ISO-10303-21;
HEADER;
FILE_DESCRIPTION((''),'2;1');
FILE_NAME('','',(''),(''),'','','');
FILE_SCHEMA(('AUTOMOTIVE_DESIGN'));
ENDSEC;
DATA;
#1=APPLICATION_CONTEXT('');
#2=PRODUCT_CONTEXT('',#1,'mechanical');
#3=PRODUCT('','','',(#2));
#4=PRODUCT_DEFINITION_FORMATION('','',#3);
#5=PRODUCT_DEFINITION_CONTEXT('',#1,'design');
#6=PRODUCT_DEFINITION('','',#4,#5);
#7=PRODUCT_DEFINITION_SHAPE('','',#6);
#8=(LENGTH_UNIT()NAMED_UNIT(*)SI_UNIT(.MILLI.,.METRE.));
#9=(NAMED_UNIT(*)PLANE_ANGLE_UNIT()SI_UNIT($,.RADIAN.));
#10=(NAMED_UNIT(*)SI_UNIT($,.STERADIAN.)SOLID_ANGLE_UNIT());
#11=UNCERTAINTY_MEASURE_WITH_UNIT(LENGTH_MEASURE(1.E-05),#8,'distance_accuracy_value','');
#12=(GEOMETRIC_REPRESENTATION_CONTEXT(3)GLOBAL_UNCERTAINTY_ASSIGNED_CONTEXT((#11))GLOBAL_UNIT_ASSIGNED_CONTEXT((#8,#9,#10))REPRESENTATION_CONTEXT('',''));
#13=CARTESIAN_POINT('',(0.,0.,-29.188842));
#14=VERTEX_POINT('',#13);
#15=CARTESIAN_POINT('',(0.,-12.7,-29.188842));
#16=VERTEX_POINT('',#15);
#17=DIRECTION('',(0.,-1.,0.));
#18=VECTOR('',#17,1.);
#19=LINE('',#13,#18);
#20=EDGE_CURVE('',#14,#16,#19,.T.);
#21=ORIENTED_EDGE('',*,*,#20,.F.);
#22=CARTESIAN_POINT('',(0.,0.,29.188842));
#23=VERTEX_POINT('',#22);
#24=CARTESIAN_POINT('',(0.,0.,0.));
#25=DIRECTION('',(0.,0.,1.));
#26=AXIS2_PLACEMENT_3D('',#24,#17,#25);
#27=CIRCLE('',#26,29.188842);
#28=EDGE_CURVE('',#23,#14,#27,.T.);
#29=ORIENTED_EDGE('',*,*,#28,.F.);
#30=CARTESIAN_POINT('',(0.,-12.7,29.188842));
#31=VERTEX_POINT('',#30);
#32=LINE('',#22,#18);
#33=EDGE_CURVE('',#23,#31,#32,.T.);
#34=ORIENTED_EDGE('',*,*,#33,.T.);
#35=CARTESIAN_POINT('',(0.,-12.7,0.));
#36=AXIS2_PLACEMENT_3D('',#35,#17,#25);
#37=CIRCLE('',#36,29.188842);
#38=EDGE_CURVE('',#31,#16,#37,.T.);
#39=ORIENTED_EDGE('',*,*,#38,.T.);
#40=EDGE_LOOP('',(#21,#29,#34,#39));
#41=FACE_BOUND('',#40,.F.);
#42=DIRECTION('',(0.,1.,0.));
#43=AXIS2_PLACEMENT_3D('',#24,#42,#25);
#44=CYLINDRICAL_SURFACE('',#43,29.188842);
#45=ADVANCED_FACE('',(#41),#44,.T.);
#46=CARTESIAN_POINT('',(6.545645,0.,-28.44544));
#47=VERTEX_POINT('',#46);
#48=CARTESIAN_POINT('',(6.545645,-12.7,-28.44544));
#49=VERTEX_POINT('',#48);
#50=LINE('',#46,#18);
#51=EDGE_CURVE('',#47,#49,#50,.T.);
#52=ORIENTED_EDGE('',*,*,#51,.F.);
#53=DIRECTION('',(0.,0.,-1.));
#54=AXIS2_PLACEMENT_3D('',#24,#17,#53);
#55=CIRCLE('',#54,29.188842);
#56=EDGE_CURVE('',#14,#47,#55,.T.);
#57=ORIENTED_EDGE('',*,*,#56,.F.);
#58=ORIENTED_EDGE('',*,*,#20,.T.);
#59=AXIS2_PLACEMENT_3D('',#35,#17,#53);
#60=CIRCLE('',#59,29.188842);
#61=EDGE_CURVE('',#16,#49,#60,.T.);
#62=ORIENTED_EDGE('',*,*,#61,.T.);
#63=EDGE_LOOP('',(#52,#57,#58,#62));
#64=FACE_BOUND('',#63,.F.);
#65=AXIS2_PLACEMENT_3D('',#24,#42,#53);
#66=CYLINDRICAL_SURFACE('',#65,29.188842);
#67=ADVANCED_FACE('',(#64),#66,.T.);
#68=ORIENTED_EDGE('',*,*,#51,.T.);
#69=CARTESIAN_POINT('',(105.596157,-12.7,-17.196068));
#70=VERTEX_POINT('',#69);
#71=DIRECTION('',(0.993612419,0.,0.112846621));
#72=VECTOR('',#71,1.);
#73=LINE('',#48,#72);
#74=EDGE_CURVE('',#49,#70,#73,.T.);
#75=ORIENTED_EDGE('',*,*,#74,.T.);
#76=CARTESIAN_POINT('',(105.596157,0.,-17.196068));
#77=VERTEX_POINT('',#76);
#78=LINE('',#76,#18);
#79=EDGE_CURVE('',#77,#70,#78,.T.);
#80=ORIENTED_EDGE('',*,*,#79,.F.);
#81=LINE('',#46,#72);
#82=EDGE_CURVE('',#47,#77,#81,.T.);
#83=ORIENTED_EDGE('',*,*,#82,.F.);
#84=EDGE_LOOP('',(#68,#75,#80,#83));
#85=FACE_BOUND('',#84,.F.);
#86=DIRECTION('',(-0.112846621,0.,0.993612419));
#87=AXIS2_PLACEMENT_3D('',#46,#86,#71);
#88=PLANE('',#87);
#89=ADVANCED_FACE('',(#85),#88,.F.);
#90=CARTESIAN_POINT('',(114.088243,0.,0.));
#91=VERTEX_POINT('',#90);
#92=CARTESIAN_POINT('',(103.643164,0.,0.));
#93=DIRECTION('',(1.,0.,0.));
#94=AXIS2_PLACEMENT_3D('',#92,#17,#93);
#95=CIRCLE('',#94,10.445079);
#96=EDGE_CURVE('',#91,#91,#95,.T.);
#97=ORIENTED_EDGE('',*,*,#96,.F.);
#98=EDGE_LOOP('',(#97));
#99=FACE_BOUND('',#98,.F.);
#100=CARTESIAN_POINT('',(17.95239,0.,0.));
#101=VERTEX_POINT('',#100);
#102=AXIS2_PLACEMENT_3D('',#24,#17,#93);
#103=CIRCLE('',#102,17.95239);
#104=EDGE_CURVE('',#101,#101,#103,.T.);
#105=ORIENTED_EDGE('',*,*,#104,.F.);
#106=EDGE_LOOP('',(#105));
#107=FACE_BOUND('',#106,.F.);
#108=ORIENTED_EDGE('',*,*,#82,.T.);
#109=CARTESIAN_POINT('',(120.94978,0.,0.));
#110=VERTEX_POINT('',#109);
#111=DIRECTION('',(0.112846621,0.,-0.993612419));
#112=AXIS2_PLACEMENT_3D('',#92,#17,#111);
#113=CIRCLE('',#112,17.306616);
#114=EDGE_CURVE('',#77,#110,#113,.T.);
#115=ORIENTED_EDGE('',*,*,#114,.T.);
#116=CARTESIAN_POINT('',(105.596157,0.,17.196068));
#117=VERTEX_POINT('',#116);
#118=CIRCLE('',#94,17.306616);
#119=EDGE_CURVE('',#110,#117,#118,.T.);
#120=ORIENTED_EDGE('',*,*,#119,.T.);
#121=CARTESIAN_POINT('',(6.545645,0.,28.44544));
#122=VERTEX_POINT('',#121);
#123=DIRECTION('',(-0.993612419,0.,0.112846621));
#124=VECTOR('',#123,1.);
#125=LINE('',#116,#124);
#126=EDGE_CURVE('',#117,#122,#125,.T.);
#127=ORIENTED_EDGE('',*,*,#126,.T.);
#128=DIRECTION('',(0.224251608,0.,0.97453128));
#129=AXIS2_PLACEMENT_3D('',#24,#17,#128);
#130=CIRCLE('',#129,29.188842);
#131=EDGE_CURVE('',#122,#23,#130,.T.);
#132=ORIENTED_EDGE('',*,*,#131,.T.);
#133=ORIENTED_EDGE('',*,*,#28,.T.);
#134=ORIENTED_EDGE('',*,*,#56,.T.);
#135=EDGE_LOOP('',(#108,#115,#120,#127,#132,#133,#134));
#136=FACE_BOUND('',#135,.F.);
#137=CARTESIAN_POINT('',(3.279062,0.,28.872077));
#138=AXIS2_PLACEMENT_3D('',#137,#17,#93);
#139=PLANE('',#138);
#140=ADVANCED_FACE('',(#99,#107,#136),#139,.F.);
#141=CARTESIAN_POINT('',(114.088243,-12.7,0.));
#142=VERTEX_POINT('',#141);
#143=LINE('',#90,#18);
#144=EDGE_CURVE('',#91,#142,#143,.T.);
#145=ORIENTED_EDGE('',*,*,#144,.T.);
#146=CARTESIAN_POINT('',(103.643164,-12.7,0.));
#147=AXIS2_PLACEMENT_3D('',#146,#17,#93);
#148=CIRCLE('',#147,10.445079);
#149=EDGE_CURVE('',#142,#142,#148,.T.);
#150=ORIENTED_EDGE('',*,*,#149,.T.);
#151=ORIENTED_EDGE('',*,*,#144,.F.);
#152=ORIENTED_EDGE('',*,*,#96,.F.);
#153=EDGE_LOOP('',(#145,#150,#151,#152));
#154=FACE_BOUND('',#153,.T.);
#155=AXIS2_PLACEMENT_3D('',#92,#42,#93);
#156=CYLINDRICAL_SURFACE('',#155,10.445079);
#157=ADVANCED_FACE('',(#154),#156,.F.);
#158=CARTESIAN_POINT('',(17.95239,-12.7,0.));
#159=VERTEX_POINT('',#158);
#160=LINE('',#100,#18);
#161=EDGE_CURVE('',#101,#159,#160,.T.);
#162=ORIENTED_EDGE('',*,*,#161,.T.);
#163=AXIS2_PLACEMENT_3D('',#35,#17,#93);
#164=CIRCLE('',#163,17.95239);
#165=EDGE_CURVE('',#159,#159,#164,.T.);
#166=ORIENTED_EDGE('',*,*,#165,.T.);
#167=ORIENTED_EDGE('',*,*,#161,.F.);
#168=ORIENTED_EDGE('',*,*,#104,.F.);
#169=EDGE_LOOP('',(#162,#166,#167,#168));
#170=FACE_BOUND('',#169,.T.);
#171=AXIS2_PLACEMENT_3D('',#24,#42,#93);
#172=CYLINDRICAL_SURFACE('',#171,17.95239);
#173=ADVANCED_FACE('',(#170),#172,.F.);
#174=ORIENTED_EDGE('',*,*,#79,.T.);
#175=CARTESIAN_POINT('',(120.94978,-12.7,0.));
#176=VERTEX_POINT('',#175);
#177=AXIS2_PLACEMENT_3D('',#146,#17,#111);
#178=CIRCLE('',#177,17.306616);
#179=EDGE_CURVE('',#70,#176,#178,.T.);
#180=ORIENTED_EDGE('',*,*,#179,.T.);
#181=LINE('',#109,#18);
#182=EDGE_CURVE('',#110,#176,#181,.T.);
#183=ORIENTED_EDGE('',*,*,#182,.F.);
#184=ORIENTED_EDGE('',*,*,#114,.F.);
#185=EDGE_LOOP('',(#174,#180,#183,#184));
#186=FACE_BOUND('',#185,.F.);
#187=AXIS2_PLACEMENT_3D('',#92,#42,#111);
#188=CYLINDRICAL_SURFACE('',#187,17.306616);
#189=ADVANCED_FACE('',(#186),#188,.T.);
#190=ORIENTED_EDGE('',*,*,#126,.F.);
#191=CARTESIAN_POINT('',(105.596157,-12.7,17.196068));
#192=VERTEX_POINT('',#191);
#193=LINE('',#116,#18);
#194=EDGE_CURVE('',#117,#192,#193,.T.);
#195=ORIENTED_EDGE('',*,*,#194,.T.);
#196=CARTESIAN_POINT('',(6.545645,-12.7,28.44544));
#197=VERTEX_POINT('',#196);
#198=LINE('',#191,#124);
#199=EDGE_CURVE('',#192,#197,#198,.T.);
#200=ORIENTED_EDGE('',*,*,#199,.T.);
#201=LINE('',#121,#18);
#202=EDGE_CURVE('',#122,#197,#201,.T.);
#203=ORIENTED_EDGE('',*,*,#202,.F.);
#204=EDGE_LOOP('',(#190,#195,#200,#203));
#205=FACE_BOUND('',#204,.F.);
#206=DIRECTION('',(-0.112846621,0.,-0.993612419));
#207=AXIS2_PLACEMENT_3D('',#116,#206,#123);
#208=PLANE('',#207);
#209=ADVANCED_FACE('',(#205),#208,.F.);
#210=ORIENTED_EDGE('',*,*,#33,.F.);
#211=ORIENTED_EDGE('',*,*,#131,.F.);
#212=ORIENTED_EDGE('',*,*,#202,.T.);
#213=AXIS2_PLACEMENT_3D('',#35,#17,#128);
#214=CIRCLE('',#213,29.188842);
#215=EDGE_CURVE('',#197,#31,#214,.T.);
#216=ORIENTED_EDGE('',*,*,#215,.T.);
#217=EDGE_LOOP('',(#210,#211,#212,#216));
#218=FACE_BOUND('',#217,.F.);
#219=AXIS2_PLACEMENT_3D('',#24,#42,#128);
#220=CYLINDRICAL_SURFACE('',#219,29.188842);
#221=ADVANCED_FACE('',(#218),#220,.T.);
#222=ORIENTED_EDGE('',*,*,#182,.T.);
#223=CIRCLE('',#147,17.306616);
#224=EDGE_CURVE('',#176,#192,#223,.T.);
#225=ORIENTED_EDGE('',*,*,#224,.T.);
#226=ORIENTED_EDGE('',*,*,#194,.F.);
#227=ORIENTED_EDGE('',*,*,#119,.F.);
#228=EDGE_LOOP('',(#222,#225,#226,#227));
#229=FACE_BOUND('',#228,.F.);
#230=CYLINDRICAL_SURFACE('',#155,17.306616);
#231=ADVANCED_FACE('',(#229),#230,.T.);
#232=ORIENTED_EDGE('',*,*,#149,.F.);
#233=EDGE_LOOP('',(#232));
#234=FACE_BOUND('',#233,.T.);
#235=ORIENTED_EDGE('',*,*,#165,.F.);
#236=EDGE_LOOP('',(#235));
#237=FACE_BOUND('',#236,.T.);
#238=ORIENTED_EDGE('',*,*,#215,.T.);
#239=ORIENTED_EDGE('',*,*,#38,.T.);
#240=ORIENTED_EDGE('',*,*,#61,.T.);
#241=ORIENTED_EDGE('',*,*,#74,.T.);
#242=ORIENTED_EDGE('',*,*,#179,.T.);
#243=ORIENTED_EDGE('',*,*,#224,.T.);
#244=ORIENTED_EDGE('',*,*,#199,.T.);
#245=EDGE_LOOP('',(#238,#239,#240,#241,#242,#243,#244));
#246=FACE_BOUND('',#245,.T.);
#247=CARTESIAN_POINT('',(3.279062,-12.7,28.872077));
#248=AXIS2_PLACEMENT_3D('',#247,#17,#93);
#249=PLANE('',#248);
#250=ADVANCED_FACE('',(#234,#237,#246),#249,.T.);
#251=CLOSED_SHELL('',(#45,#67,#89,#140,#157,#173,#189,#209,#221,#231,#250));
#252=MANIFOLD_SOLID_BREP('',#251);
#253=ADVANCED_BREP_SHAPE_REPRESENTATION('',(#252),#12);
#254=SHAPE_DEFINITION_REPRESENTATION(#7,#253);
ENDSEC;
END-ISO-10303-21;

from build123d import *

# Parameters (mm, degrees)
F0_R     = 10.4450787522
F0_R_2   = 17.9523896741
F1_DEPTH = 12.7


with BuildPart() as f1:
    # F0 (on Front) → F1 (new body)
    with BuildSketch(Plane.XZ):
        with BuildLine():
            ThreePointArc((6.5456448621, 28.445439993), (3.2938622414, 29.0023963595), (0, 29.1888424412))
            Line((0, 29.1888424412), (6.5456448621, 28.445439993))
        make_face()
        with BuildLine():
            Line((6.5456448621, -28.445439993), (0, -29.1888424412))
            ThreePointArc((0, -29.1888424412), (3.2938622414, -29.0023963595), (6.5456448621, -28.445439993))
        make_face()
        with BuildLine():
            Line((105.5961571199, 17.1960681041), (6.5456448621, 28.445439993))
            ThreePointArc((6.5456448621, 28.445439993), (22.8369034636, 18.1786788092), (29.1888424412, 0))
            ThreePointArc((29.1888424412, 0), (22.8369034636, -18.1786788092), (6.5456448621, -28.445439993))
            Line((6.5456448621, -28.445439993), (105.5961571199, -17.1960681041))
            ThreePointArc((105.5961571199, -17.1960681041), (86.3365485343, 0), (105.5961571199, 17.1960681041))
        make_face()
        with BuildLine():
            ThreePointArc((120.949779543, 0), (116.5528239985, 11.5264747403), (105.5961571199, 17.1960681041))
            ThreePointArc((105.5961571199, 17.1960681041), (86.3365485343, 0), (105.5961571199, -17.1960681041))
            ThreePointArc((105.5961571199, -17.1960681041), (116.5528239985, -11.5264747403), (120.949779543, 0))
        make_face()
        with Locations((103.6431640387, 0)):
            Circle(F0_R, mode=Mode.SUBTRACT)
        with BuildLine():
            Line((6.5456448621, 28.445439993), (0, 29.1888424412))
            ThreePointArc((0, 29.1888424412), (-29.1888424412, 0), (0, -29.1888424412))
            Line((0, -29.1888424412), (6.5456448621, -28.445439993))
            ThreePointArc((6.5456448621, -28.445439993), (22.8369034636, -18.1786788092), (29.1888424412, 0))
            ThreePointArc((29.1888424412, 0), (22.8369034636, 18.1786788092), (6.5456448621, 28.445439993))
        make_face()
        Circle(F0_R_2, mode=Mode.SUBTRACT)
    extrude(amount=F1_DEPTH)


solid = f1.part
